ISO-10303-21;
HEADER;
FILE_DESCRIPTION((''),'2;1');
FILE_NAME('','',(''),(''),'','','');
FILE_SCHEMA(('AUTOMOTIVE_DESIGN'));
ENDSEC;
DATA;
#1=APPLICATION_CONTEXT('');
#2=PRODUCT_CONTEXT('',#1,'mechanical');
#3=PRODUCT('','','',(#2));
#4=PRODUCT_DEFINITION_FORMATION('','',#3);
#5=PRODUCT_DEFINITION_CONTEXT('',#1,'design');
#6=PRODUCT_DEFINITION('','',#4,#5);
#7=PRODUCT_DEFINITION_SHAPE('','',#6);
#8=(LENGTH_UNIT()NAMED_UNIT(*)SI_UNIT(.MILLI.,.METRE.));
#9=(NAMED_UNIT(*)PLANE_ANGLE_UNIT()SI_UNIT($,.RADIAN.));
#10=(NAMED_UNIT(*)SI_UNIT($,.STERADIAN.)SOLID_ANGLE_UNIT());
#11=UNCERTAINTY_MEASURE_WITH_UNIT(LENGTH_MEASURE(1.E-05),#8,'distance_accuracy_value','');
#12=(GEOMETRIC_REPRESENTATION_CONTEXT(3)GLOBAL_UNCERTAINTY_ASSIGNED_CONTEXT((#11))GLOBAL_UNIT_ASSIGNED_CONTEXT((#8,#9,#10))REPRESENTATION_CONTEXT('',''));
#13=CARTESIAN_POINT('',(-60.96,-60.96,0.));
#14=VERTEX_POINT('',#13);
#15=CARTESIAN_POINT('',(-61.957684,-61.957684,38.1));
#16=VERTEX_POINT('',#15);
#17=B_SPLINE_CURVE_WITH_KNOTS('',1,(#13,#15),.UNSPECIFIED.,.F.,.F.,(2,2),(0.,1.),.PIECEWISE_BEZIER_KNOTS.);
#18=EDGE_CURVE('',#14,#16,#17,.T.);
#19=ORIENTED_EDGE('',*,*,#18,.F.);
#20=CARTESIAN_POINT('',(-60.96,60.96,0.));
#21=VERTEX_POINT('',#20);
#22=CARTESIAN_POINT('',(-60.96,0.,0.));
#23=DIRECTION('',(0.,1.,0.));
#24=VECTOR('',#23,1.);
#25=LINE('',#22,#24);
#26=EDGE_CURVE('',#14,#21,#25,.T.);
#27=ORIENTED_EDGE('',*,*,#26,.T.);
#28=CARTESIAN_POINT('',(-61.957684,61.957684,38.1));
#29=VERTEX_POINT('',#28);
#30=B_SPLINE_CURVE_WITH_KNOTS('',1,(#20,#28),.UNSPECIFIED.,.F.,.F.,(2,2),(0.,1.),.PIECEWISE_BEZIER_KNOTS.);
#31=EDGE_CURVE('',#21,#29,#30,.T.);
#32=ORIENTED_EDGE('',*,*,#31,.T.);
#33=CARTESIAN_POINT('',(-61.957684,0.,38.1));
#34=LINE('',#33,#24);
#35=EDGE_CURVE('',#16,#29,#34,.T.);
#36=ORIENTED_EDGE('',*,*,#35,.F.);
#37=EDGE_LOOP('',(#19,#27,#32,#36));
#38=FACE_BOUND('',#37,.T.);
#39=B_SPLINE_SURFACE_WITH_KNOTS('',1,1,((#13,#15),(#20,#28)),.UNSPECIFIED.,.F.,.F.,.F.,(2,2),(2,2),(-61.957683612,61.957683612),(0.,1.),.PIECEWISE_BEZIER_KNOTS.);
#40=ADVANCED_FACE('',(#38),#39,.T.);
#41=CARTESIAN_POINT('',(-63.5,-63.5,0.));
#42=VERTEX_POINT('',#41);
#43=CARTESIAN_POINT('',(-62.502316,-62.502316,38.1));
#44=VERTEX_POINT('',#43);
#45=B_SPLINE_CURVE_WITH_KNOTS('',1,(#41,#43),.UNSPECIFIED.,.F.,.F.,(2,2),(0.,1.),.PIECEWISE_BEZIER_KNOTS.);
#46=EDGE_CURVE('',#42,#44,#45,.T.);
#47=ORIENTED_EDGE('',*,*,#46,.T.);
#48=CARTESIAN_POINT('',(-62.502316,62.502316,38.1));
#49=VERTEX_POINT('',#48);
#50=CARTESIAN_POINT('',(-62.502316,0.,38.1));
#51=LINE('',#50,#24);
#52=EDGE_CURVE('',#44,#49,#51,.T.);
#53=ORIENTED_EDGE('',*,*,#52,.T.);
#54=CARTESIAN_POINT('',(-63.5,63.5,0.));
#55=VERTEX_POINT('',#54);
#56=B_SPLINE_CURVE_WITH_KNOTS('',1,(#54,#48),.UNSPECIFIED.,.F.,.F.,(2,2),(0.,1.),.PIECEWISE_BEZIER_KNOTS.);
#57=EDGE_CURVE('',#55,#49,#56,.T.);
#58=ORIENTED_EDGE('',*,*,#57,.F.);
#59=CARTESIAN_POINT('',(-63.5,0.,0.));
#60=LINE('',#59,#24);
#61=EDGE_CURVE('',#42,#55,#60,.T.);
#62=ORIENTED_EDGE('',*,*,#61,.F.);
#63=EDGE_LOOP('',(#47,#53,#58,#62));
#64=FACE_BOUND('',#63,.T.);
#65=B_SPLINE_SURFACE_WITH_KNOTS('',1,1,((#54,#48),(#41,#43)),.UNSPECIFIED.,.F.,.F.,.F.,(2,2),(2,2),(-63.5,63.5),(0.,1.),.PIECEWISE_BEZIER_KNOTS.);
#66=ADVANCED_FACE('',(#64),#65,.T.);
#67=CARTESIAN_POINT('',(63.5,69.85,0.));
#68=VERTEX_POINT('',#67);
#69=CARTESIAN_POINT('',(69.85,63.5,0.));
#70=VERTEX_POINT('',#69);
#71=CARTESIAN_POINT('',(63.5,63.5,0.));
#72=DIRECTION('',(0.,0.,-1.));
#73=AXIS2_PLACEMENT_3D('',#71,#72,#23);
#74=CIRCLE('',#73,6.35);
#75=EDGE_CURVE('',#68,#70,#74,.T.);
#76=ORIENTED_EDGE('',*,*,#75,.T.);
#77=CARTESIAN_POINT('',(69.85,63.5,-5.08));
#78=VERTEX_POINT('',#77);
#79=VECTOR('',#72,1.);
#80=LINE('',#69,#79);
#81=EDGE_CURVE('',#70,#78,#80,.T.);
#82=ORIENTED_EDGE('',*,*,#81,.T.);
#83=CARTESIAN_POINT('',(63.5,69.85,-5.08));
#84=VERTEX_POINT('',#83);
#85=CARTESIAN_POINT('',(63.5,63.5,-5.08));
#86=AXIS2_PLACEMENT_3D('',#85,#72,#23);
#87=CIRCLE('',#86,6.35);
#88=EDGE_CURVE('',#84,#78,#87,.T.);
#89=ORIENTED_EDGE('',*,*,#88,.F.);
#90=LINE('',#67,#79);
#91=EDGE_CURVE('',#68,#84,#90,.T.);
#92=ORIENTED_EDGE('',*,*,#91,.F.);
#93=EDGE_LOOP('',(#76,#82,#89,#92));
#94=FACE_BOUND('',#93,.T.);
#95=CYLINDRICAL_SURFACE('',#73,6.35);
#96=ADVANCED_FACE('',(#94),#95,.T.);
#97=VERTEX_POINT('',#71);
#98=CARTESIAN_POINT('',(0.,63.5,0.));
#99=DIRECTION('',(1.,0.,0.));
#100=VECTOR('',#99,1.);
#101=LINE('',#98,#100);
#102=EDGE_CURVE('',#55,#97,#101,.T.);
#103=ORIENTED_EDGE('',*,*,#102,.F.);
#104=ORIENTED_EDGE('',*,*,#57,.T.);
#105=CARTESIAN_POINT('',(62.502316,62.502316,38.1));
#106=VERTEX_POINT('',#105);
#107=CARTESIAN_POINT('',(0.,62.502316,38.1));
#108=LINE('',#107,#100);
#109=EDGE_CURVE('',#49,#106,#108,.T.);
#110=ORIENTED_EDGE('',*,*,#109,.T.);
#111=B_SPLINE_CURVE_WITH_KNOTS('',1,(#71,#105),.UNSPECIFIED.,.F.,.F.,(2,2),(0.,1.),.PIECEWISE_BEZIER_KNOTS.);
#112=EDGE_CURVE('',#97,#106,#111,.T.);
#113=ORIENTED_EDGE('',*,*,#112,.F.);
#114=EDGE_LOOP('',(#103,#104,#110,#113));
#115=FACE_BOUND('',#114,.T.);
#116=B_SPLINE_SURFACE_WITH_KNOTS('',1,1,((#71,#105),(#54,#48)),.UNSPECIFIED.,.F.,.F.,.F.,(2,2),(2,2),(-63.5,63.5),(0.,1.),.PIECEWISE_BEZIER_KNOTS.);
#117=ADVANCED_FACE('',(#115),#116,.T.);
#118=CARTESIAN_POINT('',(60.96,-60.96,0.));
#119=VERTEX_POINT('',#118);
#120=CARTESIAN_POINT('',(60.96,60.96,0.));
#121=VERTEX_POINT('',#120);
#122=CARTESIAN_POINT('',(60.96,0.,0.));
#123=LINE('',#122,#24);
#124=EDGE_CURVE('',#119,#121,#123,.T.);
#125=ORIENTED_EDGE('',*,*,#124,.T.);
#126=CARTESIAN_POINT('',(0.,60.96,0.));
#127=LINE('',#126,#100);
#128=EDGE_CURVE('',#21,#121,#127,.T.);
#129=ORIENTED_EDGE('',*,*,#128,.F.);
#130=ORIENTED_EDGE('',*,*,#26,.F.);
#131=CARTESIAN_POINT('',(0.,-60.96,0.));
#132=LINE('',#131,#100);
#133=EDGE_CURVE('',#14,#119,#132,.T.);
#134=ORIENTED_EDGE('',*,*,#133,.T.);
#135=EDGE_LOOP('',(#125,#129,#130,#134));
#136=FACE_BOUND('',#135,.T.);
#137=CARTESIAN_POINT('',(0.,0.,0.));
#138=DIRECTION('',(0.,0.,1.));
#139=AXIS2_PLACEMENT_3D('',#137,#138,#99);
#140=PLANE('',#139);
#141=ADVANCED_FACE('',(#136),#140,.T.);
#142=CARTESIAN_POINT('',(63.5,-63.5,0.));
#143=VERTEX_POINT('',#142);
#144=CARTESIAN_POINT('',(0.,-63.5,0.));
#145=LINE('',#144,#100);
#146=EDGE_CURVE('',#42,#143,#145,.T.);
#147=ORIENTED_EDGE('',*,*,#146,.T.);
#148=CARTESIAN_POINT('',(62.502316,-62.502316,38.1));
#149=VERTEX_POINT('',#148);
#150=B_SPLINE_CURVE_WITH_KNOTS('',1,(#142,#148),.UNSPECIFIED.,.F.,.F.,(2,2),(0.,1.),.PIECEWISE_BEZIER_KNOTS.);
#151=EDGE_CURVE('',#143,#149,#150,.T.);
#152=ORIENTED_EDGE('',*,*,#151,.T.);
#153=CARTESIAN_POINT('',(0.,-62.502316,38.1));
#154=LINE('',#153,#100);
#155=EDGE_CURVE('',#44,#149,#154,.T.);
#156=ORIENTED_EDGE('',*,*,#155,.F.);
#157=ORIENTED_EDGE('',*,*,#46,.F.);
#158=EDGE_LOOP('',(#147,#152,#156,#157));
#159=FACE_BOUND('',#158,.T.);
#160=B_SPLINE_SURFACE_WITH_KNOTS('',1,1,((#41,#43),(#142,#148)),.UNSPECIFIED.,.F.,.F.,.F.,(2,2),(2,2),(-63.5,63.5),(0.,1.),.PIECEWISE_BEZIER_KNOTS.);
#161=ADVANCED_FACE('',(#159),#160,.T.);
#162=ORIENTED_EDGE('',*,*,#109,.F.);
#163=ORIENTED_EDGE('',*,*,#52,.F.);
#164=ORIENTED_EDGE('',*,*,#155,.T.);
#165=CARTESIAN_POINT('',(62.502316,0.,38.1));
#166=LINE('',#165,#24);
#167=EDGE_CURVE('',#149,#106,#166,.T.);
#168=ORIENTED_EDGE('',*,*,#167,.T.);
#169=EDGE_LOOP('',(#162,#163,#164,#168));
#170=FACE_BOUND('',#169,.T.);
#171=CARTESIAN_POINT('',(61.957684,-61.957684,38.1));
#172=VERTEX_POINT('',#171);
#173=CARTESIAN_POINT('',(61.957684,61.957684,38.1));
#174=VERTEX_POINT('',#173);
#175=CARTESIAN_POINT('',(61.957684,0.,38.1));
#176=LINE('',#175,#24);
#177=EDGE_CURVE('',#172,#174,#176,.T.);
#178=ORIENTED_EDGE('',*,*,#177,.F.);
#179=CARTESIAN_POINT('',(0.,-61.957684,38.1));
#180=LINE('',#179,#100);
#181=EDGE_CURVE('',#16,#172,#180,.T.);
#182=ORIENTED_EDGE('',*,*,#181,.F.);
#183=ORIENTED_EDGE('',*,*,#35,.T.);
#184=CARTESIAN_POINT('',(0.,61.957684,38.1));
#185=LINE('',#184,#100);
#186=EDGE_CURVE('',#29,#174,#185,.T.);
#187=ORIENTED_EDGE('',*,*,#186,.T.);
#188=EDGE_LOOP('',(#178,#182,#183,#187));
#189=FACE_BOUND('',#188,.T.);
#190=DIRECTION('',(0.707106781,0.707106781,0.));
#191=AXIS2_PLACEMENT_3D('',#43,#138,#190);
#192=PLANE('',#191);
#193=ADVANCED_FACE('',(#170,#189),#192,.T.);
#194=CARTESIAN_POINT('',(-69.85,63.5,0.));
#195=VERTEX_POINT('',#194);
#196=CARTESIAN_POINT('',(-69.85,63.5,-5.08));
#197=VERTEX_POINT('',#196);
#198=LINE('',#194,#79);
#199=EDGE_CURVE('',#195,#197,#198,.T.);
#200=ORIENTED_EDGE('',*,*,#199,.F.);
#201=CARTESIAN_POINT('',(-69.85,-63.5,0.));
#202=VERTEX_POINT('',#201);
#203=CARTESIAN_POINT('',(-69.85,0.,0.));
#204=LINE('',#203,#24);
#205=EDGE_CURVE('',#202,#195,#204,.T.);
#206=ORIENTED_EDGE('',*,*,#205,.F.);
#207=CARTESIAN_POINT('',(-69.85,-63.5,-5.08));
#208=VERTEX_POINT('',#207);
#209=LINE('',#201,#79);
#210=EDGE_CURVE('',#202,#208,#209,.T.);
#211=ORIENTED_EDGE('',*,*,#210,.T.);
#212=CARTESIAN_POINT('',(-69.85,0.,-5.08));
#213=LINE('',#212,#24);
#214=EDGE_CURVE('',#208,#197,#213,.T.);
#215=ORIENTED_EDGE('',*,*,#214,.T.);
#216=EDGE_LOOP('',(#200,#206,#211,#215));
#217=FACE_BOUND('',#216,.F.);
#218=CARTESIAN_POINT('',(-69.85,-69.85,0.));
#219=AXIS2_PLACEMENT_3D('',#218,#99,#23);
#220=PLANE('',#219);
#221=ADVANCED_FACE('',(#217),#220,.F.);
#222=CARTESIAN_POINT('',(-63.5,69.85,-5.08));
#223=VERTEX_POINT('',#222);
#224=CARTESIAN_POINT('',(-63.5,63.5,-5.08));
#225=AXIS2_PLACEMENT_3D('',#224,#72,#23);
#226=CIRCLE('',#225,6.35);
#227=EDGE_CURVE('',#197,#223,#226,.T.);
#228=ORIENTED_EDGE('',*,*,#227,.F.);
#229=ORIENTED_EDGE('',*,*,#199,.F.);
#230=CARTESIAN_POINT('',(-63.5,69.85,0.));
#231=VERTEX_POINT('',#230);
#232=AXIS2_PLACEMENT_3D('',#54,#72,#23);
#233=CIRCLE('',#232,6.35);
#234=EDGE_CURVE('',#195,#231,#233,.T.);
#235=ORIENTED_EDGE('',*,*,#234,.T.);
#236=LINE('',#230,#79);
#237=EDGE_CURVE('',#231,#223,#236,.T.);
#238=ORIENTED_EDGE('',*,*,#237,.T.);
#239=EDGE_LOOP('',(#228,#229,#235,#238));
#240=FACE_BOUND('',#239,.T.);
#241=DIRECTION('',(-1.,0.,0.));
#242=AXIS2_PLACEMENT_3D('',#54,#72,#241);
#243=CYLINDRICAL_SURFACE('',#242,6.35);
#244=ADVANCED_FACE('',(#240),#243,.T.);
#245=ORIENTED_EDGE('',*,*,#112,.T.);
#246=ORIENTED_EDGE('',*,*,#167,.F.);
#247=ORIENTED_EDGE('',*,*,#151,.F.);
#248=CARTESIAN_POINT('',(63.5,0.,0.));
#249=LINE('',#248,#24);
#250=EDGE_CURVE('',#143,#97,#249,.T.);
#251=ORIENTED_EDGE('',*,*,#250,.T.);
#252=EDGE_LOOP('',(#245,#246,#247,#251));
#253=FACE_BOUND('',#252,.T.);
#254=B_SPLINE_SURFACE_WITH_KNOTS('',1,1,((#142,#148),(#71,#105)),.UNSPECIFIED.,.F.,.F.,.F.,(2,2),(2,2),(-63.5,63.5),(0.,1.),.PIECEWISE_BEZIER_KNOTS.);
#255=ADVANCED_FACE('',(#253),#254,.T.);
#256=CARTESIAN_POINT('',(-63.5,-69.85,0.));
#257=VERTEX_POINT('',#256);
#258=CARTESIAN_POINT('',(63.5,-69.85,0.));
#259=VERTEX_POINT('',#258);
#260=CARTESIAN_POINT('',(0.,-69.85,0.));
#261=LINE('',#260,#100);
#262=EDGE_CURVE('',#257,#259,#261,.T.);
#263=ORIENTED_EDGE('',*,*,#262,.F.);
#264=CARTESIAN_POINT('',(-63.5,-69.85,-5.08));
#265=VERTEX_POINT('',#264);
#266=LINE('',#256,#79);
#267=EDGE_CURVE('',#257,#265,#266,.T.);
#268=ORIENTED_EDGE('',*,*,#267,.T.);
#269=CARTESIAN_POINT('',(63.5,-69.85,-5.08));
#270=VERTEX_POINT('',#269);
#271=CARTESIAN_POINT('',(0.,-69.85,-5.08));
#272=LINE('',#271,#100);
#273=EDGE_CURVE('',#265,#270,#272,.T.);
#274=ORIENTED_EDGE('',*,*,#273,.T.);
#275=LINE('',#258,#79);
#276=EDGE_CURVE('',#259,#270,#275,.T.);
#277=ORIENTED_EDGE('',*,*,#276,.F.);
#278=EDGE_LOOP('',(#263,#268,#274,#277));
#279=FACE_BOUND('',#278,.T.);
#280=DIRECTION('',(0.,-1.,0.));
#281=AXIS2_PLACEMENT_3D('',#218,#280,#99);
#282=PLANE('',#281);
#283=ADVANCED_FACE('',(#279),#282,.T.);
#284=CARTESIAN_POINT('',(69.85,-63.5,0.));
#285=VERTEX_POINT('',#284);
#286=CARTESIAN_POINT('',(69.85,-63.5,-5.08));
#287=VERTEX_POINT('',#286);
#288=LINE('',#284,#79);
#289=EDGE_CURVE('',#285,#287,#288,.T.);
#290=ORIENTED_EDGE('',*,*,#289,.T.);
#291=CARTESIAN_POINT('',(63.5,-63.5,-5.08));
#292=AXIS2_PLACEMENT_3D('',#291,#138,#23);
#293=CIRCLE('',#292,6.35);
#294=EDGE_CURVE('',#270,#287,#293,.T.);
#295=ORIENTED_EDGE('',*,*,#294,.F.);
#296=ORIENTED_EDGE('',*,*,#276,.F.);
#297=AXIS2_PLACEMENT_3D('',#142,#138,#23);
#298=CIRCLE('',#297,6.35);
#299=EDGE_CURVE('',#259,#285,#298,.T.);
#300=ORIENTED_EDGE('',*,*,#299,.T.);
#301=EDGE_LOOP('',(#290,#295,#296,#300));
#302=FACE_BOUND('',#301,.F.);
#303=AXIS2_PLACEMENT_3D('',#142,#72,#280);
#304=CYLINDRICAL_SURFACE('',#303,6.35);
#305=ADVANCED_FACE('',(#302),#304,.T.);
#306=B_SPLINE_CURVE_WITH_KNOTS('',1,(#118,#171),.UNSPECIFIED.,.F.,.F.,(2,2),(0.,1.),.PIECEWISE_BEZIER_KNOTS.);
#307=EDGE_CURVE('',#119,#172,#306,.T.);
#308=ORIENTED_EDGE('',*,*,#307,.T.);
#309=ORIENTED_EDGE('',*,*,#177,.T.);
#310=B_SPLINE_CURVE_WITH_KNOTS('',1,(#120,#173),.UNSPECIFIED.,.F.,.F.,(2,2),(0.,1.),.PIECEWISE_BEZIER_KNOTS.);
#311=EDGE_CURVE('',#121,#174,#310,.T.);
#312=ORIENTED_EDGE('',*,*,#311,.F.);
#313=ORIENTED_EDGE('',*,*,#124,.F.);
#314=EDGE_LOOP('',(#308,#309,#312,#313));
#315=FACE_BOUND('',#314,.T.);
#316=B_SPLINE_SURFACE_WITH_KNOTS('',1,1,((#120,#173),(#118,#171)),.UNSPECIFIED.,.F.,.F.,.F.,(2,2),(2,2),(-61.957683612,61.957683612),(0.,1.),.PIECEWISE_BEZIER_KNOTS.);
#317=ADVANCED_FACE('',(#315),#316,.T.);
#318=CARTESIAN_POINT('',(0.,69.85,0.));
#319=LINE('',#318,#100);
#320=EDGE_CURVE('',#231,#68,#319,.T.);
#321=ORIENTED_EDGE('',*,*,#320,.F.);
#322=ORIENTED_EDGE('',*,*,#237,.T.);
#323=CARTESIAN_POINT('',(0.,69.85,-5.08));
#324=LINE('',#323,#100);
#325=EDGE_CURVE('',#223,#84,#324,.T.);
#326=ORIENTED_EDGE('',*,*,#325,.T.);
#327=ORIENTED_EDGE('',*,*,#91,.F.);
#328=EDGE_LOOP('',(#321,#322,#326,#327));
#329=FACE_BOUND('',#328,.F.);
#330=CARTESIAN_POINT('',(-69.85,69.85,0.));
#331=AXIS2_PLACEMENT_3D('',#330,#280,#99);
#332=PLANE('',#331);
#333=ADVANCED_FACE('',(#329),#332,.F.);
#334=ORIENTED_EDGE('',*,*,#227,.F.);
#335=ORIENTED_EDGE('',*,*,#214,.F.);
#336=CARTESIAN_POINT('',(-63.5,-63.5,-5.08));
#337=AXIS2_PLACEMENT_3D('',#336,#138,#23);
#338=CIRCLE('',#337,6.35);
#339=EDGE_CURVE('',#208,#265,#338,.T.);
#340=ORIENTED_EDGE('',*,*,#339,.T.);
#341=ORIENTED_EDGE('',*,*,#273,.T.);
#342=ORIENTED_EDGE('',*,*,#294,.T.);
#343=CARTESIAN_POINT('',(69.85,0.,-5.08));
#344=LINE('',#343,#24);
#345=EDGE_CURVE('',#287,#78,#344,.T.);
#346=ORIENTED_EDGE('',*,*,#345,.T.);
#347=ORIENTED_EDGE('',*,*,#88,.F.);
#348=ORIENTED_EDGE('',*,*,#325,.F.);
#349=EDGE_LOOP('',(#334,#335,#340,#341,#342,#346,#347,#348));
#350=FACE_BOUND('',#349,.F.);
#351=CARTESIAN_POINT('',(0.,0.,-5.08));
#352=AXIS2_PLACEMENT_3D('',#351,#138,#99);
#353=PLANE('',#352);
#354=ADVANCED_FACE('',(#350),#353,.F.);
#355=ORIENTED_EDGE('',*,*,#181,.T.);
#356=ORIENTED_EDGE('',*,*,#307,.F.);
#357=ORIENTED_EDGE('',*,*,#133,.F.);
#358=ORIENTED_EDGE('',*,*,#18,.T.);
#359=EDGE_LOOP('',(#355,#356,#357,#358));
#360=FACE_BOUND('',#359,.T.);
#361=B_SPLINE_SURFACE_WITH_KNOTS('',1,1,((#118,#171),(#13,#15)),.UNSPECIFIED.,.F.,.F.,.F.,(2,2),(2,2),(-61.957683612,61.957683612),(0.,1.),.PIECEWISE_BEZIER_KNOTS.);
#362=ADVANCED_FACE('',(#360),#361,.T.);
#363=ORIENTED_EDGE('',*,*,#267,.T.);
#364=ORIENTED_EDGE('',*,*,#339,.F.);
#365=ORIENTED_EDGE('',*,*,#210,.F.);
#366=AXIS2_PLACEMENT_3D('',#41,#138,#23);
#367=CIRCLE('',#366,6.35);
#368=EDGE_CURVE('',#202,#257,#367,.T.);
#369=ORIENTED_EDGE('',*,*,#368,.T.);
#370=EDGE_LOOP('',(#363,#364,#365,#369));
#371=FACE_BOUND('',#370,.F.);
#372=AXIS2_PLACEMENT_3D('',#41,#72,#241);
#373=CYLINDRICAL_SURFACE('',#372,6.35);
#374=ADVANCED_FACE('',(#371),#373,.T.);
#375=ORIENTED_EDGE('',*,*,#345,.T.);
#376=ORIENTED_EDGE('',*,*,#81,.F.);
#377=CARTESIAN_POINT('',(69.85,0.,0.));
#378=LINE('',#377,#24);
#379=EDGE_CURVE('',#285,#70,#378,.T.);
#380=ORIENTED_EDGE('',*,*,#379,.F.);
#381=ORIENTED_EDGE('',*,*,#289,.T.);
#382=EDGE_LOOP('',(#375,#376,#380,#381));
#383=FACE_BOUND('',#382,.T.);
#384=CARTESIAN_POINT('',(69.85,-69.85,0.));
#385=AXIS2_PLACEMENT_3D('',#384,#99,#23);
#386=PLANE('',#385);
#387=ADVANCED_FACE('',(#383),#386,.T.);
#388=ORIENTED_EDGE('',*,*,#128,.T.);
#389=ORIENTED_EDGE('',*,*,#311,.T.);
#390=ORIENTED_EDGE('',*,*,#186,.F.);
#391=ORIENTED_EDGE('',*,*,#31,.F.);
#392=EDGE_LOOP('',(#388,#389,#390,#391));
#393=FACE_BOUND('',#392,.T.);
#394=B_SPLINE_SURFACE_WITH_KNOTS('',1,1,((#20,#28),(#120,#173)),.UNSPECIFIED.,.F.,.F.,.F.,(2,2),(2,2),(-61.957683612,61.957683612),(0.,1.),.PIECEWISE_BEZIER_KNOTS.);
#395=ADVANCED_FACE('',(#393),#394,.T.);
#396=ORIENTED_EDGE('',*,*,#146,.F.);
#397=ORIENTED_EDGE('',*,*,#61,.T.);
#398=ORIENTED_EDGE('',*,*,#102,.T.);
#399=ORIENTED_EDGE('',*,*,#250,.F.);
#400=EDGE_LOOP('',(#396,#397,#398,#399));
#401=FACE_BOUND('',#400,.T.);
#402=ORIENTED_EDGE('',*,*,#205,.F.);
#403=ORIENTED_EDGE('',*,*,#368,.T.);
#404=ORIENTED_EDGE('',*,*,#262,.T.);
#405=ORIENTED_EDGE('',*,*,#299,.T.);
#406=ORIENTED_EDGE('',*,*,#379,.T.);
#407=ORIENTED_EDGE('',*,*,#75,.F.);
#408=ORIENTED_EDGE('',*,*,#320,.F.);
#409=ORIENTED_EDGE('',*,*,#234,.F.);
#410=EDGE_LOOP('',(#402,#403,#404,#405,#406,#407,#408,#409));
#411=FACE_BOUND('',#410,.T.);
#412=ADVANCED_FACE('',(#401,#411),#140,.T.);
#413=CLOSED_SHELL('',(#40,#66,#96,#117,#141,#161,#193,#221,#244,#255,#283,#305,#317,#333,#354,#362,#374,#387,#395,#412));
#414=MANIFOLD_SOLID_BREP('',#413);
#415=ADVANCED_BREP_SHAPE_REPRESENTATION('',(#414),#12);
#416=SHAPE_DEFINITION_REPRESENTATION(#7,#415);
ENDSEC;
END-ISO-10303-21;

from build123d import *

# Parameters (mm, degrees)
F0_W     = 127
F0_H     = 127
F0_W_2   = 121.92
F0_H_2   = 121.92
F1_DEPTH = 38.1
F1_TAPER = 1.5
F2_W     = 139.7
F2_H     = 139.7
F3_DEPTH = 5.08
F4_R     = 6.35


with BuildPart() as f1:
    # F0 (on Top) → F1 (new body)
    with BuildSketch(Plane.XY):
        Rectangle(F0_W, F0_H)
        Rectangle(F0_W_2, F0_H_2, mode=Mode.SUBTRACT)
    extrude(amount=F1_DEPTH, taper=F1_TAPER)

    # F2 (on Top) → F3 (join)
    with BuildSketch(Plane.XY):
        Rectangle(F2_W, F2_H)
    extrude(amount=-F3_DEPTH)

    # F4
    f4_edges = [f1.edges().sort_by_distance(p)[0] for p in [
        (-69.85, 69.85, -2.54),
        (-69.85, -69.85, -2.54),
        (69.85, -69.85, -2.54),
        (69.85, 69.85, -2.54),
    ]]
    fillet(f4_edges, radius=F4_R)


solid = f1.part
